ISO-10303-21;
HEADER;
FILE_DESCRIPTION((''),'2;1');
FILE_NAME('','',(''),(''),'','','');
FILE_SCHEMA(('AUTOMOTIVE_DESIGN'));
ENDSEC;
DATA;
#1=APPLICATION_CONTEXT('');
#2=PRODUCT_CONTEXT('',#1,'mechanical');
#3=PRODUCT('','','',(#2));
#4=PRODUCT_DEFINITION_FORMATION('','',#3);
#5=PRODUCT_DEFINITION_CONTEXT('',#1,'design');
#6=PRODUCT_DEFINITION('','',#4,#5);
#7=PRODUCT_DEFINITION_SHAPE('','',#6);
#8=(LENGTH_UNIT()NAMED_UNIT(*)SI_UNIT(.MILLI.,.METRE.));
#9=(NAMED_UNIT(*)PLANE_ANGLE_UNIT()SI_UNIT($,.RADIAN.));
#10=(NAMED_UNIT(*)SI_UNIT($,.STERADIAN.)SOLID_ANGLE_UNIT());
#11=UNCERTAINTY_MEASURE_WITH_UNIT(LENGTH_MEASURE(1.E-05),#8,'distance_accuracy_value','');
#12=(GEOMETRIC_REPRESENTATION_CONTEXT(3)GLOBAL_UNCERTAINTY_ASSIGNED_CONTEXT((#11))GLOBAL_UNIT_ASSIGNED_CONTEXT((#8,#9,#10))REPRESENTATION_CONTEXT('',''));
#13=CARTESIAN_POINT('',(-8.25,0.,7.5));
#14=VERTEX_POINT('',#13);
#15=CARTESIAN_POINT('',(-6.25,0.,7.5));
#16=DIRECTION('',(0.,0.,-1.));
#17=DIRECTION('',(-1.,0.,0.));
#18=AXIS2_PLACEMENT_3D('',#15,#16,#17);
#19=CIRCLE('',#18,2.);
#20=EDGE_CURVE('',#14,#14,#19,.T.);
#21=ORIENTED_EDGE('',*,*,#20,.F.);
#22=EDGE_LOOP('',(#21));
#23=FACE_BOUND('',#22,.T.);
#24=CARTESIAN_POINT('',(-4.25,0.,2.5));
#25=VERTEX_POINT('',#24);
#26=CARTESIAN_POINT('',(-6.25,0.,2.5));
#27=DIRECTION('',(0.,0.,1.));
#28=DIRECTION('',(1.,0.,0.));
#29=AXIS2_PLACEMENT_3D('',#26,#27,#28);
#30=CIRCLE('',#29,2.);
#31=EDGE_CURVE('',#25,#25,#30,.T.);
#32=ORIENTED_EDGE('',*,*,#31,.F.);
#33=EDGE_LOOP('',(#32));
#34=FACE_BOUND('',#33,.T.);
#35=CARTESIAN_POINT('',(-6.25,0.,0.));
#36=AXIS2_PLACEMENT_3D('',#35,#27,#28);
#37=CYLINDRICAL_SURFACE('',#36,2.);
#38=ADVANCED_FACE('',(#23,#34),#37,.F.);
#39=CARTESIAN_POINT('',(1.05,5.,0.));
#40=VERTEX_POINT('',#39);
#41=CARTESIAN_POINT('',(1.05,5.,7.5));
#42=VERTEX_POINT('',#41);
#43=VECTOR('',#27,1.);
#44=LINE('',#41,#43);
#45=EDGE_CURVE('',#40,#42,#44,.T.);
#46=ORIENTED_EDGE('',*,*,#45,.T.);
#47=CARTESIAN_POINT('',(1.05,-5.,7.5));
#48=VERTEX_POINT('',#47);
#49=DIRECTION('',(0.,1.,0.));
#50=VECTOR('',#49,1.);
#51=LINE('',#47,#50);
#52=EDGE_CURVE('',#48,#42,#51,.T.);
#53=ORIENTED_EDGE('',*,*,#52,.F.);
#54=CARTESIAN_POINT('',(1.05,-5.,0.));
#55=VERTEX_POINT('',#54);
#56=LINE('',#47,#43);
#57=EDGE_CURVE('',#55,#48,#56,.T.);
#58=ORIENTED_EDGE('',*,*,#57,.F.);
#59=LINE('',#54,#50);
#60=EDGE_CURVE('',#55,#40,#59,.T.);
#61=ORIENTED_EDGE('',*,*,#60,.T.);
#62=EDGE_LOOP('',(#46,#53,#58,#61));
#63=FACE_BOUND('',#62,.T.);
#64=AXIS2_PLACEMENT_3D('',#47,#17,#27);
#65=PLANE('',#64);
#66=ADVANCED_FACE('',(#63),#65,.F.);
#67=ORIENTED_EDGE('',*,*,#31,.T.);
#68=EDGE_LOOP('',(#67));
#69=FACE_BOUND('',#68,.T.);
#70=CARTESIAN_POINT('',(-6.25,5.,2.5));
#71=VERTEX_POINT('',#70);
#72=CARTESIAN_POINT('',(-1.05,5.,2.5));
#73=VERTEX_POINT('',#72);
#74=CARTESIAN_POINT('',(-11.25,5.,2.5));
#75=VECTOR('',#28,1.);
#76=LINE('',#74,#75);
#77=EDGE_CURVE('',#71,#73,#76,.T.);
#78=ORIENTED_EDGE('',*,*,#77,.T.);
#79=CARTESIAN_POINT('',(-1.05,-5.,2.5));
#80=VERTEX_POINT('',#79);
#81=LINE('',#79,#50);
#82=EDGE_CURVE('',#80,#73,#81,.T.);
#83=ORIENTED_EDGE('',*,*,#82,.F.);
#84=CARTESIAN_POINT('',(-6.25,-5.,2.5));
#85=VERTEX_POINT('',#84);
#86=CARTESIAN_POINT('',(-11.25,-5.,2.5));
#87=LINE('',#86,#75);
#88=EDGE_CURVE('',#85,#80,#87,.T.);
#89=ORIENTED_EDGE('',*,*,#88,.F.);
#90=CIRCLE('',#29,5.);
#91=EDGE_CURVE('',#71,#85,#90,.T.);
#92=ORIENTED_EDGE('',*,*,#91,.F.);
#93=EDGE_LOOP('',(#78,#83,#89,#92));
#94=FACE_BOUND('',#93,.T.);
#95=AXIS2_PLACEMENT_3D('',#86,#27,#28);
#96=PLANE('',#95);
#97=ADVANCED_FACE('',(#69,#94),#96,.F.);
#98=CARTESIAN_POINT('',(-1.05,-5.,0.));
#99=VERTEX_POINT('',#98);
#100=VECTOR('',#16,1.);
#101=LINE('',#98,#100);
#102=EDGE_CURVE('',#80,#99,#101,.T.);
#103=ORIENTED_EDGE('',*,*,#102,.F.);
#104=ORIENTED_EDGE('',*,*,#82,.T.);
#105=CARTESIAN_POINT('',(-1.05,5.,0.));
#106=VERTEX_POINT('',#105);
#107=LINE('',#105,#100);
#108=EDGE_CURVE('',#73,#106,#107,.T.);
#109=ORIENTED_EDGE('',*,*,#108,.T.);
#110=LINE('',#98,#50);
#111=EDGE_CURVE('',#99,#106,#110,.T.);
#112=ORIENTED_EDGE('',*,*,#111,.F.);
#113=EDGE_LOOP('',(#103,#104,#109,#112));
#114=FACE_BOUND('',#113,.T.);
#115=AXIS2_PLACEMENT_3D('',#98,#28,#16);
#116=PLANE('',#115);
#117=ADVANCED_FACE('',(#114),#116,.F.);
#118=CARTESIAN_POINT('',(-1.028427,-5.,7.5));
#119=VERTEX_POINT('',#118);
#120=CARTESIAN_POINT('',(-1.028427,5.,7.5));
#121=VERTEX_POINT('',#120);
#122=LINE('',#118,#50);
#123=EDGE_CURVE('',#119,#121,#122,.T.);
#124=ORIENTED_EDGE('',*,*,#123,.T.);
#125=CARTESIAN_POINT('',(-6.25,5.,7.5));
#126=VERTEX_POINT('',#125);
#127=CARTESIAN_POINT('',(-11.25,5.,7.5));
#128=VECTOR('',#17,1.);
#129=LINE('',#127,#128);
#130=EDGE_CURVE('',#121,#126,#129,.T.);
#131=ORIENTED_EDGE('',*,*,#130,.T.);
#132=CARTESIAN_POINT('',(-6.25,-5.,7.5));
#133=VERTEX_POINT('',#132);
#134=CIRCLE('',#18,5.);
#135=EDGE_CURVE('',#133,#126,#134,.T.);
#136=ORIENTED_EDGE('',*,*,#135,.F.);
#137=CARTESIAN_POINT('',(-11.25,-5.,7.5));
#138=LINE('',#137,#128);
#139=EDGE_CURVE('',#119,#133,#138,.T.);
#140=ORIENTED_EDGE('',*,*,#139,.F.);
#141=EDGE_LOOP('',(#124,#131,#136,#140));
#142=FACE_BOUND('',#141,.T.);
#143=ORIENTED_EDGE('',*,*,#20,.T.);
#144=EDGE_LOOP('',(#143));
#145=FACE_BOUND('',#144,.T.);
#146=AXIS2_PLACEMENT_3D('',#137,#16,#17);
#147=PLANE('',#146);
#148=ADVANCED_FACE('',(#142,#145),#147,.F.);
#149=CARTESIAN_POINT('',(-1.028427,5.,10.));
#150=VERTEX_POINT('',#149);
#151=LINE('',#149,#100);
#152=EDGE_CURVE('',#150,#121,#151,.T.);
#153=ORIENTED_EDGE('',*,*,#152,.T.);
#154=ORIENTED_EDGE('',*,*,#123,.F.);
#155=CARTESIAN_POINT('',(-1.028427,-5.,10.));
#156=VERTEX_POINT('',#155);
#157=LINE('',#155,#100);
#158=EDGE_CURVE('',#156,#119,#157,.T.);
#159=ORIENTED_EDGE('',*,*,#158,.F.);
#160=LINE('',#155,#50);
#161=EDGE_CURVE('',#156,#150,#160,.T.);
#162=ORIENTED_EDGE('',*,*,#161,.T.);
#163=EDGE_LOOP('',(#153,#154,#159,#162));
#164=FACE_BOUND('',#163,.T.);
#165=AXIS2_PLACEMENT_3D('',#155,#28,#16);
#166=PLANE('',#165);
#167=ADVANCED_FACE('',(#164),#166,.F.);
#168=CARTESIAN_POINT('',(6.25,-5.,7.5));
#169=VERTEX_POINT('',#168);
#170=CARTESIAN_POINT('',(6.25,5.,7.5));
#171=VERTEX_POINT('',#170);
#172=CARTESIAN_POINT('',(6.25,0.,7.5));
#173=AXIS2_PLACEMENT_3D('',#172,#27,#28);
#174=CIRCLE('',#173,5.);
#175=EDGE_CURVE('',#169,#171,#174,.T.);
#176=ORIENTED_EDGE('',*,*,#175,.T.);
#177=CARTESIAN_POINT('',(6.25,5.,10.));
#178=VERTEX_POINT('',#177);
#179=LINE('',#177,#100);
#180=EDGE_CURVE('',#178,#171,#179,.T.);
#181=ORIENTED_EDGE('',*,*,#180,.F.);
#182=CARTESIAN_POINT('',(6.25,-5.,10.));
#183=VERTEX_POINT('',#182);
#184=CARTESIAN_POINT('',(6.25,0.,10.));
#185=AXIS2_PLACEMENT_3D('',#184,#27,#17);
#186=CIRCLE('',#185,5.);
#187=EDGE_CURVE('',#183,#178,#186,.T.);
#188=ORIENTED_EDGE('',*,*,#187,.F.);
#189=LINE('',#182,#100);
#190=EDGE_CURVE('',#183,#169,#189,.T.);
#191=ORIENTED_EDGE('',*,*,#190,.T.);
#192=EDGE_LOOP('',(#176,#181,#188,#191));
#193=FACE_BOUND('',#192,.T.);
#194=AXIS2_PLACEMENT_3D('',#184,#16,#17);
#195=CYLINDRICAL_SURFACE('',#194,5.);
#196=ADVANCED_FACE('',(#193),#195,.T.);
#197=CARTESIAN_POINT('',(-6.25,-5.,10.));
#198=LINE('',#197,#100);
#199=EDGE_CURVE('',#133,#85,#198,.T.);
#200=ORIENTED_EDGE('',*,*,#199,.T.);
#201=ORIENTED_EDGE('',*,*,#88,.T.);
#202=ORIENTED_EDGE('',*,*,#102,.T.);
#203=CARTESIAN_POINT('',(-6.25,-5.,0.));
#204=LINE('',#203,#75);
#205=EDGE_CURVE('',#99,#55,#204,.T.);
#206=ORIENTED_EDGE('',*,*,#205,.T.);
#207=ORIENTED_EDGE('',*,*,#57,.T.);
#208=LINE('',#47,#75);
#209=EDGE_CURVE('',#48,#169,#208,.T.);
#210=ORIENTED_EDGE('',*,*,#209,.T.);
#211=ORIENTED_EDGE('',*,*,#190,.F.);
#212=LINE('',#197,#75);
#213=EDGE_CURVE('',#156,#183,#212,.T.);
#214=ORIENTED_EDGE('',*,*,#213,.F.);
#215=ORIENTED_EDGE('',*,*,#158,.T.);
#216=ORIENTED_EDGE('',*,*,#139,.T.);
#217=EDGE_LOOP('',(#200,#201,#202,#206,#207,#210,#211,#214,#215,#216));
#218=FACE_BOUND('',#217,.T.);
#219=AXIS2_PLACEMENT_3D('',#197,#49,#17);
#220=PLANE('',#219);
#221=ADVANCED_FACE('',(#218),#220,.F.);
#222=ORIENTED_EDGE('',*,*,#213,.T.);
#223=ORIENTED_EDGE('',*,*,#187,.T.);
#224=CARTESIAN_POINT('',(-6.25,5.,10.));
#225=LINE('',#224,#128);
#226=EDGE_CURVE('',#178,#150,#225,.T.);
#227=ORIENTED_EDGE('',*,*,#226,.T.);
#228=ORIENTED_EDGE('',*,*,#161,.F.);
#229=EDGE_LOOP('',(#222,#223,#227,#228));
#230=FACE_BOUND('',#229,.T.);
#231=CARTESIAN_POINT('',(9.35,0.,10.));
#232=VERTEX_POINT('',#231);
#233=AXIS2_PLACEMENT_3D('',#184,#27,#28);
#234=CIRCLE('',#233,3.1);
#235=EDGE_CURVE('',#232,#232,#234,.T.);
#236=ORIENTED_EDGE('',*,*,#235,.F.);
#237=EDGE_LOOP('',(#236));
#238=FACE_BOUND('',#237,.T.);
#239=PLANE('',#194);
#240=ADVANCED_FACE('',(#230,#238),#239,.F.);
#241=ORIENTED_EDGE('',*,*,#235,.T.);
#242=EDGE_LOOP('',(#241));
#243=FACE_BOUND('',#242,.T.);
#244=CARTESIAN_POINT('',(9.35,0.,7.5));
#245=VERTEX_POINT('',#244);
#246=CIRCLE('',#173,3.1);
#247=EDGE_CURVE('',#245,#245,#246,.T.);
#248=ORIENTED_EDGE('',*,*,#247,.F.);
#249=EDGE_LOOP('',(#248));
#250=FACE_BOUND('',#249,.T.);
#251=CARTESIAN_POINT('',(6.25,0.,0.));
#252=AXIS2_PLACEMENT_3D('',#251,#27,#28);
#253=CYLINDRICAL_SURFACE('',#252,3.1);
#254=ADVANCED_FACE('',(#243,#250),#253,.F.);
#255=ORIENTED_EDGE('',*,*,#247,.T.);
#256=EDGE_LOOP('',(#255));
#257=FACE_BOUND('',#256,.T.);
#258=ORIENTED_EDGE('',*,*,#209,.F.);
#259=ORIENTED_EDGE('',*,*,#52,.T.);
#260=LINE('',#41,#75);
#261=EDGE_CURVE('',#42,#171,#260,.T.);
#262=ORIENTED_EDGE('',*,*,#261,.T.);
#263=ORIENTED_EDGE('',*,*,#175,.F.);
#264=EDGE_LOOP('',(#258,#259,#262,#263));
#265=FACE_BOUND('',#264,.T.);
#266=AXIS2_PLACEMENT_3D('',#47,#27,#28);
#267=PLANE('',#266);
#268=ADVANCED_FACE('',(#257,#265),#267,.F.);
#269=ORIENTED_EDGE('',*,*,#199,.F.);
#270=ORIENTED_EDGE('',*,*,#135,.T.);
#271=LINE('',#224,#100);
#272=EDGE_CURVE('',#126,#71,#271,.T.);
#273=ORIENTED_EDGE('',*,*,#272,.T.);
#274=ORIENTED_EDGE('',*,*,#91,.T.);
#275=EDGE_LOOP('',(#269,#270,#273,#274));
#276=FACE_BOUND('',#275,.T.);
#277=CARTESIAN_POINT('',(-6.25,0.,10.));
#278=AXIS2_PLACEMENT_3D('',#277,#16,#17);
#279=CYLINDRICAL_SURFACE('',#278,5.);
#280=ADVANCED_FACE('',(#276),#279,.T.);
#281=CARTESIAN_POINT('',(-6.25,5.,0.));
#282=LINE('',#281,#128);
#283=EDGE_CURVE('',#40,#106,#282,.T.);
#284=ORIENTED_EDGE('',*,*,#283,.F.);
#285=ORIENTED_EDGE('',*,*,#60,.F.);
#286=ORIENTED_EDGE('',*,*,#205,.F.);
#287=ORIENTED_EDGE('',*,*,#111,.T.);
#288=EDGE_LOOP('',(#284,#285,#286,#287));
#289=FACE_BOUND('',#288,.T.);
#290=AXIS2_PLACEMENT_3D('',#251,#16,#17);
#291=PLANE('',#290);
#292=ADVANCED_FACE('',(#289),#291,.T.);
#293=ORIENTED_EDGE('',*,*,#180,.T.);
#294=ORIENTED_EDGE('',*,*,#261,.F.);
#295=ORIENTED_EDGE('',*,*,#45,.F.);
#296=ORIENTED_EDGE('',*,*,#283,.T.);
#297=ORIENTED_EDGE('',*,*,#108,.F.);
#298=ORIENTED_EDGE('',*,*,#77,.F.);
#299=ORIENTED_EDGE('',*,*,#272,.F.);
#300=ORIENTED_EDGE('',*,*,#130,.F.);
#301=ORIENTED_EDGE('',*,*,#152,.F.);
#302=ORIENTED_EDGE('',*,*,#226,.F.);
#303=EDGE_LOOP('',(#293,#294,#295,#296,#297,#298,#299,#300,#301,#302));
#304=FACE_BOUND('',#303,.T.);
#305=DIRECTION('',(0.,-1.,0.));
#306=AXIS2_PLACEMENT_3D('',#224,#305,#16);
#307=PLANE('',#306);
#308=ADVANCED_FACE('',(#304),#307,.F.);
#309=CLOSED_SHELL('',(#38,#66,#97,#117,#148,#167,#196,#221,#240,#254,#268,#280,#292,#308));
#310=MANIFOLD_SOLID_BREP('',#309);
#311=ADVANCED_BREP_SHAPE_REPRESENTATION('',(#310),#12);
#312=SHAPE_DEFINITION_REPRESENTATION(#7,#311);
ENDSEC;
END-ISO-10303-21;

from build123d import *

# Parameters (mm, degrees)
EXTRUDE_1_DEPTH     = 10
SKETCH_3_W          = 5
SKETCH_3_H          = 2.5
CUT_EXTRUDE_2_DEPTH = 19.071040369
SKETCH_4_W          = 10.2
SKETCH_4_H          = 2.5
SKETCH_4_W_2        = 10.22157303
SKETCH_4_H_2        = 7.5
CUT_EXTRUDE_3_DEPTH = 19.071040369
EXTRUDE_START       = -1.5
SKETCH_2_R          = 2
EXTRUDE_2_DEPTH     = 3
SKETCH_2_3_R        = 2
SKETCH_2_3_R_2      = 3.1
CUT_EXTRUDE_4_DEPTH = 16.860721926


with BuildPart() as part:
    # 草圖1 → 填料-伸長1 (new body)
    with BuildSketch(Plane.XY):
        with BuildLine():
            Line((-6.25, -5), (6.25, -5))
            ThreePointArc((6.25, -5), (11.25, 0), (6.25, 5))
            Line((6.25, 5), (-6.25, 5))
            ThreePointArc((-6.25, 5), (-11.25, 0), (-6.25, -5))
        make_face()
    extrude(amount=EXTRUDE_1_DEPTH)

    # 草圖3 → 除料-伸長2 (cut, through all)
    with BuildSketch(Plane(origin=(0, 5, 0), x_dir=(1, 0, 0), z_dir=(0, 1, 0))):
        with Locations((8.75, -5)):
            Rectangle(SKETCH_3_W, SKETCH_3_H)
    extrude(amount=-CUT_EXTRUDE_2_DEPTH, mode=Mode.SUBTRACT)

    # 草圖4 → 除料-伸長3 (cut, through all)
    with BuildSketch(Plane(origin=(0, 5, 0), x_dir=(1, 0, 0), z_dir=(0, 1, 0))):
        with Locations((-6.15, -1.25)):
            Rectangle(SKETCH_4_W, SKETCH_4_H)
        with Locations((-6.139213485, -8.75)):
            Rectangle(SKETCH_4_W_2, SKETCH_4_H)
        with Locations((6.15, -3.75)):
            Rectangle(SKETCH_4_W, SKETCH_4_H_2)
    extrude(amount=-CUT_EXTRUDE_3_DEPTH, mode=Mode.SUBTRACT)

    # 草圖2 → 填料-伸長2 (add)
    with BuildSketch(Plane.XY.offset(10).offset(EXTRUDE_START)):
        with Locations((-6.25, 0)):
            Circle(SKETCH_2_R)
    extrude(amount=-EXTRUDE_2_DEPTH)

    # 草圖2<3> → 除料-伸長4 (cut, through all)
    with BuildSketch(Plane.XY.offset(10)):
        with Locations((-6.25, 0)):
            Circle(SKETCH_2_3_R)
        with Locations((6.25, 0)):
            Circle(SKETCH_2_3_R_2)
    extrude(amount=-CUT_EXTRUDE_4_DEPTH, mode=Mode.SUBTRACT)


solid = part.part
